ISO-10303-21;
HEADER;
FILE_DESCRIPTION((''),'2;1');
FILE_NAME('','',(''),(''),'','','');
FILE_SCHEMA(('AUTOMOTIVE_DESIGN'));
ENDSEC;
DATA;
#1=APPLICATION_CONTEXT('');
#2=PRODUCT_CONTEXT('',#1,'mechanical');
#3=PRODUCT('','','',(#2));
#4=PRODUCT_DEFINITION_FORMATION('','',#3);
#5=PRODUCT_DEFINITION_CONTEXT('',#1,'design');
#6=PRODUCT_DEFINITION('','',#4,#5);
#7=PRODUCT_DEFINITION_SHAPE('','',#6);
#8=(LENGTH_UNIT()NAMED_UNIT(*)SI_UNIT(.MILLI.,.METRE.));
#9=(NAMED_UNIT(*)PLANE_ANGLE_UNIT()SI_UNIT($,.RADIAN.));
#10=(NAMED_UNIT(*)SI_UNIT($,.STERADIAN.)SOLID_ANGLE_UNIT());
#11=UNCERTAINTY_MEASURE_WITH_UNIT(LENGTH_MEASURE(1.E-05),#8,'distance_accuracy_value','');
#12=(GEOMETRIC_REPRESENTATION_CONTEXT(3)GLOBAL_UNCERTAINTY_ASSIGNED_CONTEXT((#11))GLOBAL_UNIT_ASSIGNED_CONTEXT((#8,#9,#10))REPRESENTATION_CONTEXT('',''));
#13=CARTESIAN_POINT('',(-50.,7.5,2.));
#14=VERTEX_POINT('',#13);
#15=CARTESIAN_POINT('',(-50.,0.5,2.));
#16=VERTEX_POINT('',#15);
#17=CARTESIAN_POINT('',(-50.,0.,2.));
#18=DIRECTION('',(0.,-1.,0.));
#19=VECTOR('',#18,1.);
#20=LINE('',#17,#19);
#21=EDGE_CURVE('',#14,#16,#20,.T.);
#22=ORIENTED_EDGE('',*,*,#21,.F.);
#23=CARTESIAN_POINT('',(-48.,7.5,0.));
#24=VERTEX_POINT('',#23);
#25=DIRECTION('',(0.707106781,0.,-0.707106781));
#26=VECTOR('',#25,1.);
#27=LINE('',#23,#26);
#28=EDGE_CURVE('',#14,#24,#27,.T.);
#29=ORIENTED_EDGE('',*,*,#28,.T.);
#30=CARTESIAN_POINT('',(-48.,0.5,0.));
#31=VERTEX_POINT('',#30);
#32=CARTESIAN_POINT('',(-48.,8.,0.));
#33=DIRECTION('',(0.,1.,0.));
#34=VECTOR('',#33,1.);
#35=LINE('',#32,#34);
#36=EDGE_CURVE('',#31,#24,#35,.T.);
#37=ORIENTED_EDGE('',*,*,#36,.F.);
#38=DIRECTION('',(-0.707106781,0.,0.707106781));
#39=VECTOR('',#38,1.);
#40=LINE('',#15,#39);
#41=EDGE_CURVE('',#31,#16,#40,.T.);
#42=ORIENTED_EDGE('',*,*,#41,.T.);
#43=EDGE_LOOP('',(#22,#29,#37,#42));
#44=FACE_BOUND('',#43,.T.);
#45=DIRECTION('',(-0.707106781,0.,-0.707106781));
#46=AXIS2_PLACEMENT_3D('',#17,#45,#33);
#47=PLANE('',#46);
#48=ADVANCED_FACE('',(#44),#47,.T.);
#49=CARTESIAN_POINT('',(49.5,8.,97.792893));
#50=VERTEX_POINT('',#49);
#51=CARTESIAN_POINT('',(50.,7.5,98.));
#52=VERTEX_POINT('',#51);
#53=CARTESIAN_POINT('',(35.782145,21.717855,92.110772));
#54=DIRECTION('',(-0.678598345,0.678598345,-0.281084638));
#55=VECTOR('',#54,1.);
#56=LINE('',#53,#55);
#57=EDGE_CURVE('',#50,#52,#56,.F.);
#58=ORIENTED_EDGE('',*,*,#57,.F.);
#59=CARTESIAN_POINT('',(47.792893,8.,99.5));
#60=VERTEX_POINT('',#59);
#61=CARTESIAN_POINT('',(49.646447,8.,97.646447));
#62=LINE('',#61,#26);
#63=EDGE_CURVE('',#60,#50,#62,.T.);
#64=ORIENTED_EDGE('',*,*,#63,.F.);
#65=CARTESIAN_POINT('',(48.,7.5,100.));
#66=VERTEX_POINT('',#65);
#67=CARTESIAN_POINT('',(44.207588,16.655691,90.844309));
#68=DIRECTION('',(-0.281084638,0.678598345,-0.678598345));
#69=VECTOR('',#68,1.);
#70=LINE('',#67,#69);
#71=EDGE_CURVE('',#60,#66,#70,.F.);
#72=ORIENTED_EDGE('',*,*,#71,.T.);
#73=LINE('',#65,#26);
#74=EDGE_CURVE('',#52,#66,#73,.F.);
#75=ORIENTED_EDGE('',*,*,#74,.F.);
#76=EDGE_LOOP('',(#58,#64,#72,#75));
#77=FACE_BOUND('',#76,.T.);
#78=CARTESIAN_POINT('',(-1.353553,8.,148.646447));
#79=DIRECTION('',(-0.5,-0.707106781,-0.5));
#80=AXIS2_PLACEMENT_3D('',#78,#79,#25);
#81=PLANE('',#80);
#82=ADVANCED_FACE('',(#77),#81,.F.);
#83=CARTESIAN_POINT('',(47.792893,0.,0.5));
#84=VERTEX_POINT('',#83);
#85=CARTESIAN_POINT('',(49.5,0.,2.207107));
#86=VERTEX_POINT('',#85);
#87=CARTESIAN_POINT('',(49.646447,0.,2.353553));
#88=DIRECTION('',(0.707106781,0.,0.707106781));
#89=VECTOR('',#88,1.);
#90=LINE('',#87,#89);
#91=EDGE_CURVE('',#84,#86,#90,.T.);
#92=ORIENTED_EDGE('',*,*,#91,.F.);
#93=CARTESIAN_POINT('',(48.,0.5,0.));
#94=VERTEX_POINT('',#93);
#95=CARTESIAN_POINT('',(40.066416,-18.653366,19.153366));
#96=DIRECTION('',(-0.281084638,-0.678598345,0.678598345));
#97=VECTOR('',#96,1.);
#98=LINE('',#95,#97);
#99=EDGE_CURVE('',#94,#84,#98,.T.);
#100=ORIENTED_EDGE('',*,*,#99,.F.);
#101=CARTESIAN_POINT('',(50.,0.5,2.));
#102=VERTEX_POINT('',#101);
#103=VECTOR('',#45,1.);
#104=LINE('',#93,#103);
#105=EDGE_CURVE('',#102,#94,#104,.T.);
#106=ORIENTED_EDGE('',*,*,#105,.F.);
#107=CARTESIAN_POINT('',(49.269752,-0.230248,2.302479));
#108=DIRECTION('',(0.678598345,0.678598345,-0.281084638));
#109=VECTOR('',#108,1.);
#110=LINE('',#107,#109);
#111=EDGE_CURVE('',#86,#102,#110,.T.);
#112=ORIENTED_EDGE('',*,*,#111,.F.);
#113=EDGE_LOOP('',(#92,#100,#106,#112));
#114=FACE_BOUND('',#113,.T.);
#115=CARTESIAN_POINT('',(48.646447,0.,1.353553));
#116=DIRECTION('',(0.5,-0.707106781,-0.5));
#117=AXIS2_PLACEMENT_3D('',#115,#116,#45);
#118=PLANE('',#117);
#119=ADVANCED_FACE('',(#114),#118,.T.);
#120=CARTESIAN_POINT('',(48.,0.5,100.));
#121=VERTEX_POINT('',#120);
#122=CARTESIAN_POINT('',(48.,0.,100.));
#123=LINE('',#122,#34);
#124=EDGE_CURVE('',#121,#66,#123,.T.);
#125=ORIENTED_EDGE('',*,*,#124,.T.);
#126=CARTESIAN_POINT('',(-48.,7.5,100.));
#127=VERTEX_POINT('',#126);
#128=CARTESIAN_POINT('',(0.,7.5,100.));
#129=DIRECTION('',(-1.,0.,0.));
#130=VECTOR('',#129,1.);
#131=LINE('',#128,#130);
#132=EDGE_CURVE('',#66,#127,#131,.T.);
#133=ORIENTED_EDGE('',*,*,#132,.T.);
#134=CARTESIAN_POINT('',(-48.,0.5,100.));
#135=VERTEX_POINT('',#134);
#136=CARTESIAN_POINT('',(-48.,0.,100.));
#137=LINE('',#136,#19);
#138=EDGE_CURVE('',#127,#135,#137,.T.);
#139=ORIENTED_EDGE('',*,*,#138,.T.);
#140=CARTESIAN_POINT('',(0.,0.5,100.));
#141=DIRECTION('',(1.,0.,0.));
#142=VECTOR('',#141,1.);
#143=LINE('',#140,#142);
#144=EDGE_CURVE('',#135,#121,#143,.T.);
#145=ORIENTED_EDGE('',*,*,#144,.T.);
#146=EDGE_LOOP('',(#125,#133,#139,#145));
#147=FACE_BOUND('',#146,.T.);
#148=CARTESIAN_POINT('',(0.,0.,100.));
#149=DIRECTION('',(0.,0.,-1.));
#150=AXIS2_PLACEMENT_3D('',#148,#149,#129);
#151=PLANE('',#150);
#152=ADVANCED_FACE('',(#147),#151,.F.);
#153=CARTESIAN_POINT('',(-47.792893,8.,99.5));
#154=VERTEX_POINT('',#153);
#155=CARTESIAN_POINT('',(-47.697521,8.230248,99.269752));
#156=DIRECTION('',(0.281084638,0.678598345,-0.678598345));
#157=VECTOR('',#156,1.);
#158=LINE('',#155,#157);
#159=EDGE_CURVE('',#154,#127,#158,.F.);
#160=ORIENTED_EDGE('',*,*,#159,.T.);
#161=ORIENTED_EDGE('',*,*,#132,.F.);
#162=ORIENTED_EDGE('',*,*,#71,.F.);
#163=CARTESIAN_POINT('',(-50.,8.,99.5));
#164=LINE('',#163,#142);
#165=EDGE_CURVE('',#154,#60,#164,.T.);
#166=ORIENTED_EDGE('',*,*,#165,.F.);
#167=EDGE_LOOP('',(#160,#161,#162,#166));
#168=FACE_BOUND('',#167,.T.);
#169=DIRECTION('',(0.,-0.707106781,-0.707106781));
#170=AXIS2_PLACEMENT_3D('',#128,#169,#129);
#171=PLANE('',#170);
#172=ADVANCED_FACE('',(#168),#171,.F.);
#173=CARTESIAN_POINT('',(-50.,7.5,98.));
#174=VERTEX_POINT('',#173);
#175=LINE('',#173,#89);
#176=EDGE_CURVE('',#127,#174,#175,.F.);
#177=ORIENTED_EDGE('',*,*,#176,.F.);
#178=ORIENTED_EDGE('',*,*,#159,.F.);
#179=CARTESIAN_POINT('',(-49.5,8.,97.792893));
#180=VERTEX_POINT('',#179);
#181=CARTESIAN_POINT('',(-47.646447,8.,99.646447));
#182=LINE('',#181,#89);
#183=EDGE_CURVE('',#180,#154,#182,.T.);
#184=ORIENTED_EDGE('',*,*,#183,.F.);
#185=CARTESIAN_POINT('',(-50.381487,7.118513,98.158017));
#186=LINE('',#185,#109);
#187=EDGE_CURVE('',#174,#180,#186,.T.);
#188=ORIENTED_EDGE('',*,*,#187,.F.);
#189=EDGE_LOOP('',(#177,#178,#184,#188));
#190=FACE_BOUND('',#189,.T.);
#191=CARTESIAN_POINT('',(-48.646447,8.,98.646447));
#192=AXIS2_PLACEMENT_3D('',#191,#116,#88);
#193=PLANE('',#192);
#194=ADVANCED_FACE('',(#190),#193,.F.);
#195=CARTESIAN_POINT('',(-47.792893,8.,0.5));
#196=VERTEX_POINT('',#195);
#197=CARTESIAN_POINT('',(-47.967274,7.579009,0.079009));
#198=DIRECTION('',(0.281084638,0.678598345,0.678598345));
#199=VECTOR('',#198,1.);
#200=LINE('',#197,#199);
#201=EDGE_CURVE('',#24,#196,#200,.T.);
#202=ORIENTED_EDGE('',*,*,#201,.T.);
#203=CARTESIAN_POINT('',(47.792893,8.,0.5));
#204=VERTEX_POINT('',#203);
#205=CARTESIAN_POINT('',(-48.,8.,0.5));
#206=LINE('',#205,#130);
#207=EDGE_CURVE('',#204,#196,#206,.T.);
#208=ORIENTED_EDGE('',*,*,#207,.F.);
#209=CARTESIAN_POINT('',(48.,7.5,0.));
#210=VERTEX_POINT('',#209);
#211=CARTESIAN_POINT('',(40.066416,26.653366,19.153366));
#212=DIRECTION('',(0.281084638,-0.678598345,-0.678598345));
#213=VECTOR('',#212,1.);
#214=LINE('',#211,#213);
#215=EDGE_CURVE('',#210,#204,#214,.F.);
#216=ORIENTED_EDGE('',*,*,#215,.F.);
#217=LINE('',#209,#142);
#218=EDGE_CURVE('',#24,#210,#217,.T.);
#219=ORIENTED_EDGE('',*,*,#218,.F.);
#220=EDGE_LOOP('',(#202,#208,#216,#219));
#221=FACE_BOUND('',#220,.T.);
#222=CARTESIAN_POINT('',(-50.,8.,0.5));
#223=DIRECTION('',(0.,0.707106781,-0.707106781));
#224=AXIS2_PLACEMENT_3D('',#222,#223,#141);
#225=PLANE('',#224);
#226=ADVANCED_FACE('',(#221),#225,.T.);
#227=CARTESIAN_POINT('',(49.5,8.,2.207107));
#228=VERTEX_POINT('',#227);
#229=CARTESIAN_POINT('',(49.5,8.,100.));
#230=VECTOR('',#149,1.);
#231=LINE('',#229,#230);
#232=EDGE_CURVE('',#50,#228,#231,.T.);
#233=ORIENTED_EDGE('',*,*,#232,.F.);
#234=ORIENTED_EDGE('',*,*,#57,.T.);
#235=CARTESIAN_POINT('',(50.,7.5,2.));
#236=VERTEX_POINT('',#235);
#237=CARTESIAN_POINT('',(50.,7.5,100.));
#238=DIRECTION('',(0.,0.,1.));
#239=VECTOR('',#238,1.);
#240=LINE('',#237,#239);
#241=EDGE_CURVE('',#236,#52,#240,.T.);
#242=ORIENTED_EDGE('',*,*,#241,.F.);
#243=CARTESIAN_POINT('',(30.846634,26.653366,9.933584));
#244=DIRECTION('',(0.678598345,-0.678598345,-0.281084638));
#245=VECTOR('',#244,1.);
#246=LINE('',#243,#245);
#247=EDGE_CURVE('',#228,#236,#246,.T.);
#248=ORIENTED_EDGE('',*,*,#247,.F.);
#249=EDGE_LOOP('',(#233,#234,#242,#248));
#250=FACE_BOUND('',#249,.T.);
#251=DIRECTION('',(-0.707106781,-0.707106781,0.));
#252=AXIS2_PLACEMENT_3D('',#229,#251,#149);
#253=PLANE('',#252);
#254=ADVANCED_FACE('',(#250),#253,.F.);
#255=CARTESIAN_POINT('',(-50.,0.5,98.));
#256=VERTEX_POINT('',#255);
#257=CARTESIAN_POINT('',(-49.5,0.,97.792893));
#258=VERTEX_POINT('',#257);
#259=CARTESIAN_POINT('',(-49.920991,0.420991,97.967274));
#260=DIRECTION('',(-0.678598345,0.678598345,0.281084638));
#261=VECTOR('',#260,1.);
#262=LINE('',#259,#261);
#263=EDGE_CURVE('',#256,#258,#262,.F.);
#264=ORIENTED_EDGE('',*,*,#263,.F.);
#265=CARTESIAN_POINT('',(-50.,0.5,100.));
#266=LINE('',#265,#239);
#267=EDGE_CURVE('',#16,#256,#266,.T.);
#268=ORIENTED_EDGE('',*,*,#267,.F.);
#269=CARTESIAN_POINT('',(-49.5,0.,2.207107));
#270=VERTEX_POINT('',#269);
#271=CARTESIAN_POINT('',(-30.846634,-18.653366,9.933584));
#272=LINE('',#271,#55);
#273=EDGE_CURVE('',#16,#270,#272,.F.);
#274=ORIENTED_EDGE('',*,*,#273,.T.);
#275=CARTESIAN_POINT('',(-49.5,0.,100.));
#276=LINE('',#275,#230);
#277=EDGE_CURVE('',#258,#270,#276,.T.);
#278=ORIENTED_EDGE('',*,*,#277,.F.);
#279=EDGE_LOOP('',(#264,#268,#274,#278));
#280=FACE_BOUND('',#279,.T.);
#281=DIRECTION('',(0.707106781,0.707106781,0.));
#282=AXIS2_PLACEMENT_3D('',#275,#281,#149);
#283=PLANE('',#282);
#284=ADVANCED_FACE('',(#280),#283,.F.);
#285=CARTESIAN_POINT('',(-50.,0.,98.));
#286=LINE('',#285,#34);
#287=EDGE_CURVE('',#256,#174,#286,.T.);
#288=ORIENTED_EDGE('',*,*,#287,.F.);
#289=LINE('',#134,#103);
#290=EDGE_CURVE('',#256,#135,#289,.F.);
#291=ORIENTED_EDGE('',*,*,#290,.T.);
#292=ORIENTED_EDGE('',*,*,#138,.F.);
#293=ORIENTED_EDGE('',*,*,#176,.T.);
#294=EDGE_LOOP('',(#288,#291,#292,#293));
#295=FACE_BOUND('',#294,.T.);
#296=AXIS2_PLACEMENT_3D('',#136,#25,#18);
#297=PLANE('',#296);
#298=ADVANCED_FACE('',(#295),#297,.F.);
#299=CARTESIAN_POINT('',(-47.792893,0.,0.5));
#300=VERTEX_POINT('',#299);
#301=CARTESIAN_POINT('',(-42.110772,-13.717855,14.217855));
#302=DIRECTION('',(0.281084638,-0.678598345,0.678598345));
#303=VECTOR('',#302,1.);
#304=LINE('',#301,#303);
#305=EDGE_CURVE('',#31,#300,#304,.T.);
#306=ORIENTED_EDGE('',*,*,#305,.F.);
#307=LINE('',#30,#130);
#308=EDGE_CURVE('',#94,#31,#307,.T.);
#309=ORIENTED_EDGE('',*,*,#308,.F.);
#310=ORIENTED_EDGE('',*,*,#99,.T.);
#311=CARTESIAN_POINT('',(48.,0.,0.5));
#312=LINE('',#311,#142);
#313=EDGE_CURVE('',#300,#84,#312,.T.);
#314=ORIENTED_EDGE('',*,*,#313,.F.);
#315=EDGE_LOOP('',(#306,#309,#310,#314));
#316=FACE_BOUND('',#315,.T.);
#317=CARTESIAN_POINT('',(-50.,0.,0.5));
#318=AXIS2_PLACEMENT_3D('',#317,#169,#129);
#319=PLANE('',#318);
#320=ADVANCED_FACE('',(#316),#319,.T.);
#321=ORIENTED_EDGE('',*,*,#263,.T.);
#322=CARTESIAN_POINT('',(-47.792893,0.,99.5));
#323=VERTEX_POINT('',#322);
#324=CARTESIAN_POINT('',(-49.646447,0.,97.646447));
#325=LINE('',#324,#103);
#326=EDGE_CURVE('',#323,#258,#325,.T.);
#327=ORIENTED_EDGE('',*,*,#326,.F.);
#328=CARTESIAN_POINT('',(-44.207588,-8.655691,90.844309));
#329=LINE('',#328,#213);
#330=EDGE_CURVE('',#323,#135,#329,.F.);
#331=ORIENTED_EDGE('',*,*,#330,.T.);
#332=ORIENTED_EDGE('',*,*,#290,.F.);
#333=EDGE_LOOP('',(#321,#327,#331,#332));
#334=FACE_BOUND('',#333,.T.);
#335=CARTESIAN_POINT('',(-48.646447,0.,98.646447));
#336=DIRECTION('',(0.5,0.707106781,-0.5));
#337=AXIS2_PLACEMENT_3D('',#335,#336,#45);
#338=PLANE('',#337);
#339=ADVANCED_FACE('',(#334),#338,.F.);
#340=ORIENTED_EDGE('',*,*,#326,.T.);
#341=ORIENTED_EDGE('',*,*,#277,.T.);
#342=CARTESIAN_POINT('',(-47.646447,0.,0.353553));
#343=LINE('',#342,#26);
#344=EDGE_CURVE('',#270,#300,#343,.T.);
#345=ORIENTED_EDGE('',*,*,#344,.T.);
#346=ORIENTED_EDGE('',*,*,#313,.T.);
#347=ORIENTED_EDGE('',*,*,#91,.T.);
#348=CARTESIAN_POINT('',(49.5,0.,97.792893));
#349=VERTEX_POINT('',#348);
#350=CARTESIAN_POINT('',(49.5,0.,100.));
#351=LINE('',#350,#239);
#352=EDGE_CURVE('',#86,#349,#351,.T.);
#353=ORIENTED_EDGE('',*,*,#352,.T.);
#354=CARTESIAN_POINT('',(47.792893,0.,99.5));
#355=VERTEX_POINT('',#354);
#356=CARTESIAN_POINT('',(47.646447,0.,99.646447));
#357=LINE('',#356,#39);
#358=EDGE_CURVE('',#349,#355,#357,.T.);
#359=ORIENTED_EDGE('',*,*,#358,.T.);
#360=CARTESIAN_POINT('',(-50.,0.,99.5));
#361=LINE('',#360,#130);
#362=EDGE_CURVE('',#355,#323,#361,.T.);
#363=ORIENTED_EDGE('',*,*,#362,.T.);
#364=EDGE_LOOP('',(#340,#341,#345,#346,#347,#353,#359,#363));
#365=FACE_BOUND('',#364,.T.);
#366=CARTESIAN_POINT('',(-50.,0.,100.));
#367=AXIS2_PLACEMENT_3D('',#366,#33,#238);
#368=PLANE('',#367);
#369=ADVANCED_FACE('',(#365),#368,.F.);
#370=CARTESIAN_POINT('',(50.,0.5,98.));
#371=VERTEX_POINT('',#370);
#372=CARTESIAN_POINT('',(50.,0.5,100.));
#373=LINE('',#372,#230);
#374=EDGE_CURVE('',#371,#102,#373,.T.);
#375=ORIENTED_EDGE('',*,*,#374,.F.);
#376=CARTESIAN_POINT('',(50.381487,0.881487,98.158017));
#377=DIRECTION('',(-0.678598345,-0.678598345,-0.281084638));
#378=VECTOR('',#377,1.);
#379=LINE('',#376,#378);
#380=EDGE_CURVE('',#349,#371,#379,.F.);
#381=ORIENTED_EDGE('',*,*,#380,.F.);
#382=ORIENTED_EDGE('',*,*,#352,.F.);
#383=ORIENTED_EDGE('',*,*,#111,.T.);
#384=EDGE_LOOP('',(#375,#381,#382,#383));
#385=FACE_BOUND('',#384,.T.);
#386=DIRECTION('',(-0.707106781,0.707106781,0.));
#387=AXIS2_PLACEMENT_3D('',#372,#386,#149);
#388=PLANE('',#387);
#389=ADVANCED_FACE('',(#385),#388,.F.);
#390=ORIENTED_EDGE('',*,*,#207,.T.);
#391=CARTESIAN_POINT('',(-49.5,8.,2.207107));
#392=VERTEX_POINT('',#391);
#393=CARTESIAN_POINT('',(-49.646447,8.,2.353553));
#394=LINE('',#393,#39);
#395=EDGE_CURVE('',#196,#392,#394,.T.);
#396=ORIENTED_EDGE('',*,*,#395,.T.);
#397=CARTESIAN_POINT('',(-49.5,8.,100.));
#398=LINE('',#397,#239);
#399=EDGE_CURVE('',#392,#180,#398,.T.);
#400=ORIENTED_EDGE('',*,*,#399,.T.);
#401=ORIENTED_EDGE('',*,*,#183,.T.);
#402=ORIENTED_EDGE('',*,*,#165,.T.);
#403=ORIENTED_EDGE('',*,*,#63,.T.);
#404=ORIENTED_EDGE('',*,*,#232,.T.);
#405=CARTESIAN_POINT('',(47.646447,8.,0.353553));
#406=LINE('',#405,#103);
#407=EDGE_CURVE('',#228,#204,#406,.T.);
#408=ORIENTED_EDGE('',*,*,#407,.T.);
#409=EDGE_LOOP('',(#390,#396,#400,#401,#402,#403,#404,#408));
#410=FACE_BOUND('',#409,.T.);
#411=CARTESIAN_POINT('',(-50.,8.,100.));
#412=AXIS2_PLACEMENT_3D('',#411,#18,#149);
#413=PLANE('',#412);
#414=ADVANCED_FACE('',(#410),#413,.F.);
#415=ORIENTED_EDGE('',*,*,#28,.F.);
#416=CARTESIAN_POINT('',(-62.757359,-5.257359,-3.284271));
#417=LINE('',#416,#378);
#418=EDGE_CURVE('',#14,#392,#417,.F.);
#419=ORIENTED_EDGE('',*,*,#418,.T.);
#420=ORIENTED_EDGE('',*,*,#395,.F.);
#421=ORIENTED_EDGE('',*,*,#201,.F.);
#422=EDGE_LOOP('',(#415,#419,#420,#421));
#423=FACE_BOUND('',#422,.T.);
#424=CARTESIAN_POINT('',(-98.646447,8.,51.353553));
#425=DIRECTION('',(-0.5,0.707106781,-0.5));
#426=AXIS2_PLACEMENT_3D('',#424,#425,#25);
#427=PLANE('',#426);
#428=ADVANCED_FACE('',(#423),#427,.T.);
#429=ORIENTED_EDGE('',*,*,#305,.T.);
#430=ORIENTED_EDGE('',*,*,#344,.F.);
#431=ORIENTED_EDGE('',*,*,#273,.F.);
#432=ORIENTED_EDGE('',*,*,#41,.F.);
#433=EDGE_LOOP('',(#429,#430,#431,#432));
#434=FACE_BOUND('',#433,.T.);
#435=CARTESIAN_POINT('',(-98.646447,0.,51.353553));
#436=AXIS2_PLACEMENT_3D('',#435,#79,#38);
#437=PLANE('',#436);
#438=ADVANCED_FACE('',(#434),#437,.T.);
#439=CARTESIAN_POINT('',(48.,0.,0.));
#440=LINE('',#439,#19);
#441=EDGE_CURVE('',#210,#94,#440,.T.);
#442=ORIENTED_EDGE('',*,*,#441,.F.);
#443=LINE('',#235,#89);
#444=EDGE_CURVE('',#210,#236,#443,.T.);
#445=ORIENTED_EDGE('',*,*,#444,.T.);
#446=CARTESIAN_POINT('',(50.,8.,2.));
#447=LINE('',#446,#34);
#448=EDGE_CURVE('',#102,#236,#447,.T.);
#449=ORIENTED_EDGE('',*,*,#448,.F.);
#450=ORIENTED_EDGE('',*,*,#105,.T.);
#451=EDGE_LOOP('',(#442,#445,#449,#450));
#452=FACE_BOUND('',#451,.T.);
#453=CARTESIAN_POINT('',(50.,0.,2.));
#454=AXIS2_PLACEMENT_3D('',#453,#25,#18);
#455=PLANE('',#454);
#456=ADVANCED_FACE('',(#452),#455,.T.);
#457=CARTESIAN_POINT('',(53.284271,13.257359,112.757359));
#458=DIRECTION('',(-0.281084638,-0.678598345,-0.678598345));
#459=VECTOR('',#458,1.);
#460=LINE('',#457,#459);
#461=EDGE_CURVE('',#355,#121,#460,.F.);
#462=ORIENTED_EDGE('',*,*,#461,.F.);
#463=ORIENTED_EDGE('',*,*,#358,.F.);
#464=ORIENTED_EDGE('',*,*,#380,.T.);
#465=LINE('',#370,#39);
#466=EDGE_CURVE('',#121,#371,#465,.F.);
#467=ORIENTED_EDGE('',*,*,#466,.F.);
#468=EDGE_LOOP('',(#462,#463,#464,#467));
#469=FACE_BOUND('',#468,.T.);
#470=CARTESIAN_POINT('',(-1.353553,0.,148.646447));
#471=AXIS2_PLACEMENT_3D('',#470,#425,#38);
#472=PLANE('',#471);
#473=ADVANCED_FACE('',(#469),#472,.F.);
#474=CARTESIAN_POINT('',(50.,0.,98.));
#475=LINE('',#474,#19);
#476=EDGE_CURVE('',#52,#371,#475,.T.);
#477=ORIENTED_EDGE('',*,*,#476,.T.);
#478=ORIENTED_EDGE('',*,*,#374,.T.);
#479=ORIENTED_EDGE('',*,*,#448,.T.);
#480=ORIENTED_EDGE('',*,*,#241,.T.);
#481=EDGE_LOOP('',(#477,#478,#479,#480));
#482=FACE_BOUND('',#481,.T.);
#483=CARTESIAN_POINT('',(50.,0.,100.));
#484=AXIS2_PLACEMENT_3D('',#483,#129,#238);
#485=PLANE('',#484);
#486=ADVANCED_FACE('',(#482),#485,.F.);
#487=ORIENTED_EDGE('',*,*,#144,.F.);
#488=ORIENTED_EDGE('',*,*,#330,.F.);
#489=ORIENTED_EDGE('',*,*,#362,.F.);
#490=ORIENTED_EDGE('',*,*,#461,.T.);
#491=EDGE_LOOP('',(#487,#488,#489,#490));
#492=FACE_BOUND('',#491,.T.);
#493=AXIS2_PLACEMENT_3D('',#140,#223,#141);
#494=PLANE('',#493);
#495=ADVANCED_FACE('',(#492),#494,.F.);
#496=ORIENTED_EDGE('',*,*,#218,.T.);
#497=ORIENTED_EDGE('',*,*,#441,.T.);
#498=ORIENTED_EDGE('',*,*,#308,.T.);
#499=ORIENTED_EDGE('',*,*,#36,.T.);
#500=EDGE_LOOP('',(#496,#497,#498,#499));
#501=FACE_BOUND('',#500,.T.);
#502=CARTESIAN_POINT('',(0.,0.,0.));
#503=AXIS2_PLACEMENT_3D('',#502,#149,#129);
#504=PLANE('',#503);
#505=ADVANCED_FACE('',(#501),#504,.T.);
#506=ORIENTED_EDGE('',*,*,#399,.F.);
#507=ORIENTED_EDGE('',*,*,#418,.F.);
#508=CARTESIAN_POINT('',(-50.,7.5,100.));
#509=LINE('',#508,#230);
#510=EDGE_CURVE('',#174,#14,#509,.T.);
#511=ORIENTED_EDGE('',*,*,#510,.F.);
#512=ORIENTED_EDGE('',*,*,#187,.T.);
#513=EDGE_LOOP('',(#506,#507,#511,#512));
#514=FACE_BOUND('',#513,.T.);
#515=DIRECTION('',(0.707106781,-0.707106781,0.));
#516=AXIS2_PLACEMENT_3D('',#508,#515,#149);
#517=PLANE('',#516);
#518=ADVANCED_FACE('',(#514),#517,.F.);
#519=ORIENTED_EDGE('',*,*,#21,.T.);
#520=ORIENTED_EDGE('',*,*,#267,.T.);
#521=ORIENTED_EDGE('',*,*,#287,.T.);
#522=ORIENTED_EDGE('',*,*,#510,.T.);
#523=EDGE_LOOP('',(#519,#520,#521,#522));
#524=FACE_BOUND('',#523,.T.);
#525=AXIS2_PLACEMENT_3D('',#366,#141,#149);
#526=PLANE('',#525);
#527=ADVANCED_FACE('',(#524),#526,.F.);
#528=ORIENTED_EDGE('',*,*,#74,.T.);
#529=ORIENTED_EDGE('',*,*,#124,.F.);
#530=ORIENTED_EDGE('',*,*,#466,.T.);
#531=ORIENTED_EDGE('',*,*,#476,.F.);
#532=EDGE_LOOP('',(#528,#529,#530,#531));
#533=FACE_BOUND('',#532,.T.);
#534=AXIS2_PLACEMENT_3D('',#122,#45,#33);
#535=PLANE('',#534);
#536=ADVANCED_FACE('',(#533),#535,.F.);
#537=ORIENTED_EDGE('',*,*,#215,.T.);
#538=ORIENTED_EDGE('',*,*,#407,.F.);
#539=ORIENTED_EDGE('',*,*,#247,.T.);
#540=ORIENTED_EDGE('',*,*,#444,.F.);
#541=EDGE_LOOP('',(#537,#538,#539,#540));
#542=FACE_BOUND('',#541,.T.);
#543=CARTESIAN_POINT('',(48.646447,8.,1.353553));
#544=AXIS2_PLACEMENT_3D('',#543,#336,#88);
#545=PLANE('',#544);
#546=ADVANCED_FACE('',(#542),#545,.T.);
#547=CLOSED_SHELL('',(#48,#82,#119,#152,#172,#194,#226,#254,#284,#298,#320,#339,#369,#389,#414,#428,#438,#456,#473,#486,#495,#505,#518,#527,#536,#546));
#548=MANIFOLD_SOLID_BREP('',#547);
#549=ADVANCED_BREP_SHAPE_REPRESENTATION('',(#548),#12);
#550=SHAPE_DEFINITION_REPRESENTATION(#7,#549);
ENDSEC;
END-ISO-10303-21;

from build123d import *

# Parameters (mm, degrees)
SKETCH1_W           = 100
SKETCH1_H           = 8
BOSS_EXTRUDE1_DEPTH = 100
CHAMFER1_SIZE       = 2
CHAMFER2_SIZE       = 0.5


with BuildPart() as part:
    # Sketch1 → Boss-Extrude1 (new body)
    with BuildSketch(Plane.XY):
        with Locations((0, 4)):
            Rectangle(SKETCH1_W, SKETCH1_H)
    extrude(amount=BOSS_EXTRUDE1_DEPTH)

    # Chamfer1
    chamfer1_edges = [part.edges().sort_by_distance(p)[0] for p in [
        (-50, 4, 100),
        (50, 4, 100),
        (-50, 4, 0),
        (50, 4, 0),
    ]]
    chamfer(chamfer1_edges, length=CHAMFER1_SIZE)

    # Chamfer2
    chamfer2_edges = [part.edges().sort_by_distance(p)[0] for p in [
        (-50, 0, 50),
        (-50, 8, 50),
        (0, 0, 0),
        (50, 0, 50),
        (0, 0, 100),
        (49, 0, 99),
        (-49, 0, 99),
        (49, 0, 1),
        (-49, 0, 1),
        (0, 8, 0),
        (0, 8, 100),
        (50, 8, 50),
        (49, 8, 99),
        (-49, 8, 99),
        (49, 8, 1),
        (-49, 8, 1),
    ]]
    chamfer(chamfer2_edges, length=CHAMFER2_SIZE)


solid = part.part
